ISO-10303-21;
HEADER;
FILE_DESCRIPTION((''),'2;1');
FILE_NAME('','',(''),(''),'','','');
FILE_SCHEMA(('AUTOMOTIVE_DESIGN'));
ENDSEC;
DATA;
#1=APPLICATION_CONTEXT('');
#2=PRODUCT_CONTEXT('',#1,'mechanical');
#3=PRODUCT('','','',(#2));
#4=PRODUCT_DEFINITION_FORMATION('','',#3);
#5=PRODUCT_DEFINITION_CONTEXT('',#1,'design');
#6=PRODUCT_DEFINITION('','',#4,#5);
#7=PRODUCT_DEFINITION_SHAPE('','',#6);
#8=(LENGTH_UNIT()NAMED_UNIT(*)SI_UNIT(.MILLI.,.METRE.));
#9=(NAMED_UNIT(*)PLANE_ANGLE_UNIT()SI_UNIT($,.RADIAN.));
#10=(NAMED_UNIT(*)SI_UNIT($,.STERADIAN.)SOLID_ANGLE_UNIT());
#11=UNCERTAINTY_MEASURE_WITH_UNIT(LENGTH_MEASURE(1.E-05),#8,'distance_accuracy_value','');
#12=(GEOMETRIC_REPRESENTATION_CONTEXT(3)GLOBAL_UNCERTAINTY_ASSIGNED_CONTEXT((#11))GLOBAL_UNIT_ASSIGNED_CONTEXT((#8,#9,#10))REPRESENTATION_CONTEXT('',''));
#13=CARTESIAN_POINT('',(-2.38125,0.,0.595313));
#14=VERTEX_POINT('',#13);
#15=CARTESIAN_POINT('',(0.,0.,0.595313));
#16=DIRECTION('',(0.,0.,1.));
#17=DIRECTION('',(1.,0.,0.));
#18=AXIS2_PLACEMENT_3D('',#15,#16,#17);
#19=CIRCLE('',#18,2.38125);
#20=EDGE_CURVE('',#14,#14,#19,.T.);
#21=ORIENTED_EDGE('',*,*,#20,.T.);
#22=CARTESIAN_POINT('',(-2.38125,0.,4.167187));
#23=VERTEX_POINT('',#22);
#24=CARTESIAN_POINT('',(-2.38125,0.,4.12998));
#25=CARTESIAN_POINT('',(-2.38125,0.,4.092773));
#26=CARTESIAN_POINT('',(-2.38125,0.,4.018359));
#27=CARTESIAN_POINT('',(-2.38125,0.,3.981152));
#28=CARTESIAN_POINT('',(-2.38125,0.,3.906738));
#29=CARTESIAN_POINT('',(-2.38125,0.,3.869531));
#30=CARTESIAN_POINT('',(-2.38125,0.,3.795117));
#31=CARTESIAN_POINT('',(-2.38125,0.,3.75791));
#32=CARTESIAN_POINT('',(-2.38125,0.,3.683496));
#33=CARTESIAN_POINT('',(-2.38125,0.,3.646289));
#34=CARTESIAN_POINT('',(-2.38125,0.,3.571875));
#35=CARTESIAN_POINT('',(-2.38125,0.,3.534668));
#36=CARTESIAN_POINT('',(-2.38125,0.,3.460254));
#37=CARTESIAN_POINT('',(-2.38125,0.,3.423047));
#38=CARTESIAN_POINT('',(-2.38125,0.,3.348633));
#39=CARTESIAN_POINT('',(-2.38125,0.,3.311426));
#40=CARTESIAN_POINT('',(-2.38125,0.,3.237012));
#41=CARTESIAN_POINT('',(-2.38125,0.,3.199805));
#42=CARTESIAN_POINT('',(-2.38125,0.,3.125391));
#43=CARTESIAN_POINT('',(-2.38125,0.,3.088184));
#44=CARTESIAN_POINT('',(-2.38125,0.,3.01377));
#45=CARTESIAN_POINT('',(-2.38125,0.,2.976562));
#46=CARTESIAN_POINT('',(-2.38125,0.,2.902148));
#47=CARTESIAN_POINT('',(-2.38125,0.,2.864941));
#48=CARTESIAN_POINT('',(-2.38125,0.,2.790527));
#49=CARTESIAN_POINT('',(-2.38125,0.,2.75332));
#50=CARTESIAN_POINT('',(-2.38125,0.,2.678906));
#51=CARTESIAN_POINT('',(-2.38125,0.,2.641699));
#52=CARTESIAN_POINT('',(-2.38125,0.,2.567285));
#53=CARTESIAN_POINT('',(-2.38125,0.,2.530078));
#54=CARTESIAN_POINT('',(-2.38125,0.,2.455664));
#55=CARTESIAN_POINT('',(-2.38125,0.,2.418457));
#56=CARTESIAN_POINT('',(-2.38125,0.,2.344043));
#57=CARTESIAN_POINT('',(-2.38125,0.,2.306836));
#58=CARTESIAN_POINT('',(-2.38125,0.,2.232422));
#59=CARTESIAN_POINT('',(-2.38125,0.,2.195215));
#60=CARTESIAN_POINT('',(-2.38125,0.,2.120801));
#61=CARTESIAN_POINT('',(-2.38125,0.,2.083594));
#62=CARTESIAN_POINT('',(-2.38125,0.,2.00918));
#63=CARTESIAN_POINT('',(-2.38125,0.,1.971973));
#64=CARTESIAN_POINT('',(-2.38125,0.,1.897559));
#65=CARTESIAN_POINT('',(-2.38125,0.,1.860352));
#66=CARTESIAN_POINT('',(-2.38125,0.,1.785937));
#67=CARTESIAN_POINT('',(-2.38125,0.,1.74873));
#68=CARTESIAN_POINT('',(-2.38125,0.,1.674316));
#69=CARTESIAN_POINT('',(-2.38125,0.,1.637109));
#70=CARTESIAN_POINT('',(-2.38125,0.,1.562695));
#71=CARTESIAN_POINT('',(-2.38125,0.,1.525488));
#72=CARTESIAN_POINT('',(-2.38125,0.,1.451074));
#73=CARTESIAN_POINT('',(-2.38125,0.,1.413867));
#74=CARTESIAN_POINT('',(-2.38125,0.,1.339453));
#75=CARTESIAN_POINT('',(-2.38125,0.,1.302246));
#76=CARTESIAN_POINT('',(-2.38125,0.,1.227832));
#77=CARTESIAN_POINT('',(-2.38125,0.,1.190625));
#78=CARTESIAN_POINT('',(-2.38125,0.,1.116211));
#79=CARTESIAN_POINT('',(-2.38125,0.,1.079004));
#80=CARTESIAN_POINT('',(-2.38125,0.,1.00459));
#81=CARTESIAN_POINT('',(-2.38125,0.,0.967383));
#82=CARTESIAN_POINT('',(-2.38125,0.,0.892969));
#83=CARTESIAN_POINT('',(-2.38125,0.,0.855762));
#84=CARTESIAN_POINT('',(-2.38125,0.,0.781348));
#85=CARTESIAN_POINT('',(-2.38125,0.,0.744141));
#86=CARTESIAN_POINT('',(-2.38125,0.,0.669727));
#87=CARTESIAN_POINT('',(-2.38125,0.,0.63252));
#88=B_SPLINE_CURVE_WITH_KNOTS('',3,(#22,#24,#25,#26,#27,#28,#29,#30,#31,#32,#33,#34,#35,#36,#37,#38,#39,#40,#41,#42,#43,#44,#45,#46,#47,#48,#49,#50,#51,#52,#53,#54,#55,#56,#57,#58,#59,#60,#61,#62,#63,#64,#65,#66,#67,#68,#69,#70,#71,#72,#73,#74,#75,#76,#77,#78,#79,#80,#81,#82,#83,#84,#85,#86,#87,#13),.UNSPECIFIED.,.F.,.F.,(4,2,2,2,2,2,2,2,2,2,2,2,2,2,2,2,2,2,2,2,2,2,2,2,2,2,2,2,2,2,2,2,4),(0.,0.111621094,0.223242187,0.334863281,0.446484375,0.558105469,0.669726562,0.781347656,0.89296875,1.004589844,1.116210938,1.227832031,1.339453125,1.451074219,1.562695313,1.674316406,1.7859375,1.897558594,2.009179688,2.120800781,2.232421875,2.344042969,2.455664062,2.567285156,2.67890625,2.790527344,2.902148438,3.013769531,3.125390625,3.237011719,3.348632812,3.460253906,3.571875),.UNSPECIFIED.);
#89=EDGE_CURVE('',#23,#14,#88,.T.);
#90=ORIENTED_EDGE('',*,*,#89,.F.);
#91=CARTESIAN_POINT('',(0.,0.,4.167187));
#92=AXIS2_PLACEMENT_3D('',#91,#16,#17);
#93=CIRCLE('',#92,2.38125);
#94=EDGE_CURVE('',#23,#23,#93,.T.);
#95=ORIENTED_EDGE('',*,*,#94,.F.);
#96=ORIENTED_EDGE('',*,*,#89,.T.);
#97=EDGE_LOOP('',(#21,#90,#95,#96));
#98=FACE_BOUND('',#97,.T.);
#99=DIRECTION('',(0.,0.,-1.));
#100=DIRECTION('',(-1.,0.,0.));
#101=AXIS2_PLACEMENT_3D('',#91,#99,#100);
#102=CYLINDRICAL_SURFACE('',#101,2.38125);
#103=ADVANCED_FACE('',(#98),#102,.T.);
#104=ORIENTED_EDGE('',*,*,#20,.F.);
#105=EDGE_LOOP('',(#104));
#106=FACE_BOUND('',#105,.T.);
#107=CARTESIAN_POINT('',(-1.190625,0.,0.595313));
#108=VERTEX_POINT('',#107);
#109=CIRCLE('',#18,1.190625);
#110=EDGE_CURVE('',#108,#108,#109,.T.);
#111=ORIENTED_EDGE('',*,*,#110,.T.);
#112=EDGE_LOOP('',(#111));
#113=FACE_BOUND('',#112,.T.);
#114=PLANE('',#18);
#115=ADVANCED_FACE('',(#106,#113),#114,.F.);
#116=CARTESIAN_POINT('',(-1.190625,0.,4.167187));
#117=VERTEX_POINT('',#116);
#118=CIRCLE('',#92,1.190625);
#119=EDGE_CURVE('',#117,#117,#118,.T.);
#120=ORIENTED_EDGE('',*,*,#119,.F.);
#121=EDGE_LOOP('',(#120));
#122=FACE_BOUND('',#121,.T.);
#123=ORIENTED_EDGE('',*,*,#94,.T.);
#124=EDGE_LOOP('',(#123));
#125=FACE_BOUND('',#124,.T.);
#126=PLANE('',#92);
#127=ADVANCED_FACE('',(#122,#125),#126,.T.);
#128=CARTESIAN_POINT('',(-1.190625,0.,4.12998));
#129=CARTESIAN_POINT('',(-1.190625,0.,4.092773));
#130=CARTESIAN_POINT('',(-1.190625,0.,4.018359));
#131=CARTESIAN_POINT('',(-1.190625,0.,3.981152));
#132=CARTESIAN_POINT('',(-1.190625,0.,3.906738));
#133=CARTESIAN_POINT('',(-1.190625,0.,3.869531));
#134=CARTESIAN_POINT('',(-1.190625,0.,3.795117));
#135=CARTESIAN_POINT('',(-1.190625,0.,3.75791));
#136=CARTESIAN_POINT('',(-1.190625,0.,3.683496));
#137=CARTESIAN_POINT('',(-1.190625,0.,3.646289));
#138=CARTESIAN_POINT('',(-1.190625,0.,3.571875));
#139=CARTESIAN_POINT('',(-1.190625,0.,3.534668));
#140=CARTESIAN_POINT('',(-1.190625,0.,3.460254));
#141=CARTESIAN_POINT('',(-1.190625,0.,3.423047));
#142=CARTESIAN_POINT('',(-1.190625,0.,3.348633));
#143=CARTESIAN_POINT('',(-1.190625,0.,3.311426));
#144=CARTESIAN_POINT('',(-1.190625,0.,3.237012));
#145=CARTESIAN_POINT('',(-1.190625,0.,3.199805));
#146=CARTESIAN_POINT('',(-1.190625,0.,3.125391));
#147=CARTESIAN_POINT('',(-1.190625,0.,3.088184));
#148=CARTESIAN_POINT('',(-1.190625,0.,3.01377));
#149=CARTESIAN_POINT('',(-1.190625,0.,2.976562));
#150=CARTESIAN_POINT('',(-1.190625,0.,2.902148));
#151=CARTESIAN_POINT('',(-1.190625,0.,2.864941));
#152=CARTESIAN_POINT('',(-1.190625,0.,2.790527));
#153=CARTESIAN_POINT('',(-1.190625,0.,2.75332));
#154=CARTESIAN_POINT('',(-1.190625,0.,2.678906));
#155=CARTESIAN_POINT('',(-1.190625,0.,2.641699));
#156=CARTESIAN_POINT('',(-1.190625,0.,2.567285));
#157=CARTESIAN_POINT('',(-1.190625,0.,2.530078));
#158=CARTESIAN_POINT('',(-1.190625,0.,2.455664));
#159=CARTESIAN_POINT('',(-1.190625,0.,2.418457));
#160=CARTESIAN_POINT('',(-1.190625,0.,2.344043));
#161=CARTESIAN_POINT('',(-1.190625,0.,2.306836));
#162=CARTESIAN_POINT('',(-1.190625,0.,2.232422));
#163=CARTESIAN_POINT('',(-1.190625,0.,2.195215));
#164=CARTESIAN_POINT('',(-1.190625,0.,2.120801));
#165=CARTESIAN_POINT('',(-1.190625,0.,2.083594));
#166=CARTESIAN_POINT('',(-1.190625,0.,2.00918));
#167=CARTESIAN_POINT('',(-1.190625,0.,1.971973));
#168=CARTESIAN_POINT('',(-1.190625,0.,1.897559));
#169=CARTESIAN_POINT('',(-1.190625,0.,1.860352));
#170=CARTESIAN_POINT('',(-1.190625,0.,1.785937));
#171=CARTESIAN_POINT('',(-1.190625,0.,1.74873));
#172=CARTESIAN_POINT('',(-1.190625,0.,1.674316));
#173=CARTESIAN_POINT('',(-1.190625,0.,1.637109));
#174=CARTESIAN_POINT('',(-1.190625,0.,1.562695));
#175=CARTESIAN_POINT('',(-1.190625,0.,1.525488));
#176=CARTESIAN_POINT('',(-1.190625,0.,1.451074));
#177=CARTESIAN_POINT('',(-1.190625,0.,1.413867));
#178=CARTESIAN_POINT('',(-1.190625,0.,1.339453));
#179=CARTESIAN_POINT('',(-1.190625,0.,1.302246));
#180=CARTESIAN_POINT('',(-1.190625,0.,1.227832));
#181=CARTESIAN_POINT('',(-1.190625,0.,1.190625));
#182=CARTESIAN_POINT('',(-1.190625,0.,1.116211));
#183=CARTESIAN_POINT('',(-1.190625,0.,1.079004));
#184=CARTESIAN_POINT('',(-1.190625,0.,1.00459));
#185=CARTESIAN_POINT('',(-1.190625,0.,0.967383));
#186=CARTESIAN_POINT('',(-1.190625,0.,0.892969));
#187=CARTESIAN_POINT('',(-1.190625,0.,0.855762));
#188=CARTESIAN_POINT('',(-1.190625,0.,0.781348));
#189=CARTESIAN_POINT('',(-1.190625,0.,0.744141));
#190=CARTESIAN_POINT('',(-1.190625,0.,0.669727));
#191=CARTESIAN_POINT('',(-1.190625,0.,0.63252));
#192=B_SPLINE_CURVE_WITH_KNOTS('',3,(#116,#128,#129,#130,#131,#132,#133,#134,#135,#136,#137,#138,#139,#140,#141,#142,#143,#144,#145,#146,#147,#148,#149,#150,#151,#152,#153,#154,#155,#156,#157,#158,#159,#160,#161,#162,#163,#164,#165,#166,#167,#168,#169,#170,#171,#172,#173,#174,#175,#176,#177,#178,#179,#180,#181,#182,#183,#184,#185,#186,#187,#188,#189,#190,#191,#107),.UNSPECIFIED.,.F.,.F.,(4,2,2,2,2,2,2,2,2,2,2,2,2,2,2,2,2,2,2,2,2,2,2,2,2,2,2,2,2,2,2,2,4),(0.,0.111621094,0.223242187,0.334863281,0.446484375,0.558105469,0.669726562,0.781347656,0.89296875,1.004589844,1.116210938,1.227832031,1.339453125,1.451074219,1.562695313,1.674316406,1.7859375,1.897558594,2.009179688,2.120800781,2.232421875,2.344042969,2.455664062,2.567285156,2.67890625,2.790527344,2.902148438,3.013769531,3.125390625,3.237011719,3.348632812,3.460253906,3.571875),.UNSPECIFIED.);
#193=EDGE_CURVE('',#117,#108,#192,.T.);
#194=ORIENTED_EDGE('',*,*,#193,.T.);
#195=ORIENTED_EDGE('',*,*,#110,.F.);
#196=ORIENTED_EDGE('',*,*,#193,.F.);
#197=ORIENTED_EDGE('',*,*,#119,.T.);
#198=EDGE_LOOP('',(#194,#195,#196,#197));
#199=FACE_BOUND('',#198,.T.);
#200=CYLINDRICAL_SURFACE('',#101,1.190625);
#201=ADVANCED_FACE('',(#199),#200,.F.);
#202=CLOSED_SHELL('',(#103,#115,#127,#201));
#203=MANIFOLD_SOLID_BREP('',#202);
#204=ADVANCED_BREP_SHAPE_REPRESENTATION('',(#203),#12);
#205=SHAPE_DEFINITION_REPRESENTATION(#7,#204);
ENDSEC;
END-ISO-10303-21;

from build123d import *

# Parameters (mm, degrees)
SKETCH1_R           = 3.175
SKETCH1_R_2         = 1.5875
BOSS_EXTRUDE1_DEPTH = 4.7625
SCALE1_SCALE        = 0.75


with BuildPart() as part:
    # Sketch1 → Boss-Extrude1 (new body)
    with BuildSketch(Plane.XY):
        with Locations(Location((0, 0, 0), (0, 0, 180))):
            Circle(SKETCH1_R)
        with Locations(Location((0, 0, 0), (0, 0, 180))):
            Circle(SKETCH1_R_2, mode=Mode.SUBTRACT)
    extrude(amount=BOSS_EXTRUDE1_DEPTH)


with BuildPart() as part_1:
    # Scale1: scaled about (0, 0, 2.38125)
    add(part.part.scale(SCALE1_SCALE).moved(Location((0, 0, 0.5953125))))


solid = part_1.part
